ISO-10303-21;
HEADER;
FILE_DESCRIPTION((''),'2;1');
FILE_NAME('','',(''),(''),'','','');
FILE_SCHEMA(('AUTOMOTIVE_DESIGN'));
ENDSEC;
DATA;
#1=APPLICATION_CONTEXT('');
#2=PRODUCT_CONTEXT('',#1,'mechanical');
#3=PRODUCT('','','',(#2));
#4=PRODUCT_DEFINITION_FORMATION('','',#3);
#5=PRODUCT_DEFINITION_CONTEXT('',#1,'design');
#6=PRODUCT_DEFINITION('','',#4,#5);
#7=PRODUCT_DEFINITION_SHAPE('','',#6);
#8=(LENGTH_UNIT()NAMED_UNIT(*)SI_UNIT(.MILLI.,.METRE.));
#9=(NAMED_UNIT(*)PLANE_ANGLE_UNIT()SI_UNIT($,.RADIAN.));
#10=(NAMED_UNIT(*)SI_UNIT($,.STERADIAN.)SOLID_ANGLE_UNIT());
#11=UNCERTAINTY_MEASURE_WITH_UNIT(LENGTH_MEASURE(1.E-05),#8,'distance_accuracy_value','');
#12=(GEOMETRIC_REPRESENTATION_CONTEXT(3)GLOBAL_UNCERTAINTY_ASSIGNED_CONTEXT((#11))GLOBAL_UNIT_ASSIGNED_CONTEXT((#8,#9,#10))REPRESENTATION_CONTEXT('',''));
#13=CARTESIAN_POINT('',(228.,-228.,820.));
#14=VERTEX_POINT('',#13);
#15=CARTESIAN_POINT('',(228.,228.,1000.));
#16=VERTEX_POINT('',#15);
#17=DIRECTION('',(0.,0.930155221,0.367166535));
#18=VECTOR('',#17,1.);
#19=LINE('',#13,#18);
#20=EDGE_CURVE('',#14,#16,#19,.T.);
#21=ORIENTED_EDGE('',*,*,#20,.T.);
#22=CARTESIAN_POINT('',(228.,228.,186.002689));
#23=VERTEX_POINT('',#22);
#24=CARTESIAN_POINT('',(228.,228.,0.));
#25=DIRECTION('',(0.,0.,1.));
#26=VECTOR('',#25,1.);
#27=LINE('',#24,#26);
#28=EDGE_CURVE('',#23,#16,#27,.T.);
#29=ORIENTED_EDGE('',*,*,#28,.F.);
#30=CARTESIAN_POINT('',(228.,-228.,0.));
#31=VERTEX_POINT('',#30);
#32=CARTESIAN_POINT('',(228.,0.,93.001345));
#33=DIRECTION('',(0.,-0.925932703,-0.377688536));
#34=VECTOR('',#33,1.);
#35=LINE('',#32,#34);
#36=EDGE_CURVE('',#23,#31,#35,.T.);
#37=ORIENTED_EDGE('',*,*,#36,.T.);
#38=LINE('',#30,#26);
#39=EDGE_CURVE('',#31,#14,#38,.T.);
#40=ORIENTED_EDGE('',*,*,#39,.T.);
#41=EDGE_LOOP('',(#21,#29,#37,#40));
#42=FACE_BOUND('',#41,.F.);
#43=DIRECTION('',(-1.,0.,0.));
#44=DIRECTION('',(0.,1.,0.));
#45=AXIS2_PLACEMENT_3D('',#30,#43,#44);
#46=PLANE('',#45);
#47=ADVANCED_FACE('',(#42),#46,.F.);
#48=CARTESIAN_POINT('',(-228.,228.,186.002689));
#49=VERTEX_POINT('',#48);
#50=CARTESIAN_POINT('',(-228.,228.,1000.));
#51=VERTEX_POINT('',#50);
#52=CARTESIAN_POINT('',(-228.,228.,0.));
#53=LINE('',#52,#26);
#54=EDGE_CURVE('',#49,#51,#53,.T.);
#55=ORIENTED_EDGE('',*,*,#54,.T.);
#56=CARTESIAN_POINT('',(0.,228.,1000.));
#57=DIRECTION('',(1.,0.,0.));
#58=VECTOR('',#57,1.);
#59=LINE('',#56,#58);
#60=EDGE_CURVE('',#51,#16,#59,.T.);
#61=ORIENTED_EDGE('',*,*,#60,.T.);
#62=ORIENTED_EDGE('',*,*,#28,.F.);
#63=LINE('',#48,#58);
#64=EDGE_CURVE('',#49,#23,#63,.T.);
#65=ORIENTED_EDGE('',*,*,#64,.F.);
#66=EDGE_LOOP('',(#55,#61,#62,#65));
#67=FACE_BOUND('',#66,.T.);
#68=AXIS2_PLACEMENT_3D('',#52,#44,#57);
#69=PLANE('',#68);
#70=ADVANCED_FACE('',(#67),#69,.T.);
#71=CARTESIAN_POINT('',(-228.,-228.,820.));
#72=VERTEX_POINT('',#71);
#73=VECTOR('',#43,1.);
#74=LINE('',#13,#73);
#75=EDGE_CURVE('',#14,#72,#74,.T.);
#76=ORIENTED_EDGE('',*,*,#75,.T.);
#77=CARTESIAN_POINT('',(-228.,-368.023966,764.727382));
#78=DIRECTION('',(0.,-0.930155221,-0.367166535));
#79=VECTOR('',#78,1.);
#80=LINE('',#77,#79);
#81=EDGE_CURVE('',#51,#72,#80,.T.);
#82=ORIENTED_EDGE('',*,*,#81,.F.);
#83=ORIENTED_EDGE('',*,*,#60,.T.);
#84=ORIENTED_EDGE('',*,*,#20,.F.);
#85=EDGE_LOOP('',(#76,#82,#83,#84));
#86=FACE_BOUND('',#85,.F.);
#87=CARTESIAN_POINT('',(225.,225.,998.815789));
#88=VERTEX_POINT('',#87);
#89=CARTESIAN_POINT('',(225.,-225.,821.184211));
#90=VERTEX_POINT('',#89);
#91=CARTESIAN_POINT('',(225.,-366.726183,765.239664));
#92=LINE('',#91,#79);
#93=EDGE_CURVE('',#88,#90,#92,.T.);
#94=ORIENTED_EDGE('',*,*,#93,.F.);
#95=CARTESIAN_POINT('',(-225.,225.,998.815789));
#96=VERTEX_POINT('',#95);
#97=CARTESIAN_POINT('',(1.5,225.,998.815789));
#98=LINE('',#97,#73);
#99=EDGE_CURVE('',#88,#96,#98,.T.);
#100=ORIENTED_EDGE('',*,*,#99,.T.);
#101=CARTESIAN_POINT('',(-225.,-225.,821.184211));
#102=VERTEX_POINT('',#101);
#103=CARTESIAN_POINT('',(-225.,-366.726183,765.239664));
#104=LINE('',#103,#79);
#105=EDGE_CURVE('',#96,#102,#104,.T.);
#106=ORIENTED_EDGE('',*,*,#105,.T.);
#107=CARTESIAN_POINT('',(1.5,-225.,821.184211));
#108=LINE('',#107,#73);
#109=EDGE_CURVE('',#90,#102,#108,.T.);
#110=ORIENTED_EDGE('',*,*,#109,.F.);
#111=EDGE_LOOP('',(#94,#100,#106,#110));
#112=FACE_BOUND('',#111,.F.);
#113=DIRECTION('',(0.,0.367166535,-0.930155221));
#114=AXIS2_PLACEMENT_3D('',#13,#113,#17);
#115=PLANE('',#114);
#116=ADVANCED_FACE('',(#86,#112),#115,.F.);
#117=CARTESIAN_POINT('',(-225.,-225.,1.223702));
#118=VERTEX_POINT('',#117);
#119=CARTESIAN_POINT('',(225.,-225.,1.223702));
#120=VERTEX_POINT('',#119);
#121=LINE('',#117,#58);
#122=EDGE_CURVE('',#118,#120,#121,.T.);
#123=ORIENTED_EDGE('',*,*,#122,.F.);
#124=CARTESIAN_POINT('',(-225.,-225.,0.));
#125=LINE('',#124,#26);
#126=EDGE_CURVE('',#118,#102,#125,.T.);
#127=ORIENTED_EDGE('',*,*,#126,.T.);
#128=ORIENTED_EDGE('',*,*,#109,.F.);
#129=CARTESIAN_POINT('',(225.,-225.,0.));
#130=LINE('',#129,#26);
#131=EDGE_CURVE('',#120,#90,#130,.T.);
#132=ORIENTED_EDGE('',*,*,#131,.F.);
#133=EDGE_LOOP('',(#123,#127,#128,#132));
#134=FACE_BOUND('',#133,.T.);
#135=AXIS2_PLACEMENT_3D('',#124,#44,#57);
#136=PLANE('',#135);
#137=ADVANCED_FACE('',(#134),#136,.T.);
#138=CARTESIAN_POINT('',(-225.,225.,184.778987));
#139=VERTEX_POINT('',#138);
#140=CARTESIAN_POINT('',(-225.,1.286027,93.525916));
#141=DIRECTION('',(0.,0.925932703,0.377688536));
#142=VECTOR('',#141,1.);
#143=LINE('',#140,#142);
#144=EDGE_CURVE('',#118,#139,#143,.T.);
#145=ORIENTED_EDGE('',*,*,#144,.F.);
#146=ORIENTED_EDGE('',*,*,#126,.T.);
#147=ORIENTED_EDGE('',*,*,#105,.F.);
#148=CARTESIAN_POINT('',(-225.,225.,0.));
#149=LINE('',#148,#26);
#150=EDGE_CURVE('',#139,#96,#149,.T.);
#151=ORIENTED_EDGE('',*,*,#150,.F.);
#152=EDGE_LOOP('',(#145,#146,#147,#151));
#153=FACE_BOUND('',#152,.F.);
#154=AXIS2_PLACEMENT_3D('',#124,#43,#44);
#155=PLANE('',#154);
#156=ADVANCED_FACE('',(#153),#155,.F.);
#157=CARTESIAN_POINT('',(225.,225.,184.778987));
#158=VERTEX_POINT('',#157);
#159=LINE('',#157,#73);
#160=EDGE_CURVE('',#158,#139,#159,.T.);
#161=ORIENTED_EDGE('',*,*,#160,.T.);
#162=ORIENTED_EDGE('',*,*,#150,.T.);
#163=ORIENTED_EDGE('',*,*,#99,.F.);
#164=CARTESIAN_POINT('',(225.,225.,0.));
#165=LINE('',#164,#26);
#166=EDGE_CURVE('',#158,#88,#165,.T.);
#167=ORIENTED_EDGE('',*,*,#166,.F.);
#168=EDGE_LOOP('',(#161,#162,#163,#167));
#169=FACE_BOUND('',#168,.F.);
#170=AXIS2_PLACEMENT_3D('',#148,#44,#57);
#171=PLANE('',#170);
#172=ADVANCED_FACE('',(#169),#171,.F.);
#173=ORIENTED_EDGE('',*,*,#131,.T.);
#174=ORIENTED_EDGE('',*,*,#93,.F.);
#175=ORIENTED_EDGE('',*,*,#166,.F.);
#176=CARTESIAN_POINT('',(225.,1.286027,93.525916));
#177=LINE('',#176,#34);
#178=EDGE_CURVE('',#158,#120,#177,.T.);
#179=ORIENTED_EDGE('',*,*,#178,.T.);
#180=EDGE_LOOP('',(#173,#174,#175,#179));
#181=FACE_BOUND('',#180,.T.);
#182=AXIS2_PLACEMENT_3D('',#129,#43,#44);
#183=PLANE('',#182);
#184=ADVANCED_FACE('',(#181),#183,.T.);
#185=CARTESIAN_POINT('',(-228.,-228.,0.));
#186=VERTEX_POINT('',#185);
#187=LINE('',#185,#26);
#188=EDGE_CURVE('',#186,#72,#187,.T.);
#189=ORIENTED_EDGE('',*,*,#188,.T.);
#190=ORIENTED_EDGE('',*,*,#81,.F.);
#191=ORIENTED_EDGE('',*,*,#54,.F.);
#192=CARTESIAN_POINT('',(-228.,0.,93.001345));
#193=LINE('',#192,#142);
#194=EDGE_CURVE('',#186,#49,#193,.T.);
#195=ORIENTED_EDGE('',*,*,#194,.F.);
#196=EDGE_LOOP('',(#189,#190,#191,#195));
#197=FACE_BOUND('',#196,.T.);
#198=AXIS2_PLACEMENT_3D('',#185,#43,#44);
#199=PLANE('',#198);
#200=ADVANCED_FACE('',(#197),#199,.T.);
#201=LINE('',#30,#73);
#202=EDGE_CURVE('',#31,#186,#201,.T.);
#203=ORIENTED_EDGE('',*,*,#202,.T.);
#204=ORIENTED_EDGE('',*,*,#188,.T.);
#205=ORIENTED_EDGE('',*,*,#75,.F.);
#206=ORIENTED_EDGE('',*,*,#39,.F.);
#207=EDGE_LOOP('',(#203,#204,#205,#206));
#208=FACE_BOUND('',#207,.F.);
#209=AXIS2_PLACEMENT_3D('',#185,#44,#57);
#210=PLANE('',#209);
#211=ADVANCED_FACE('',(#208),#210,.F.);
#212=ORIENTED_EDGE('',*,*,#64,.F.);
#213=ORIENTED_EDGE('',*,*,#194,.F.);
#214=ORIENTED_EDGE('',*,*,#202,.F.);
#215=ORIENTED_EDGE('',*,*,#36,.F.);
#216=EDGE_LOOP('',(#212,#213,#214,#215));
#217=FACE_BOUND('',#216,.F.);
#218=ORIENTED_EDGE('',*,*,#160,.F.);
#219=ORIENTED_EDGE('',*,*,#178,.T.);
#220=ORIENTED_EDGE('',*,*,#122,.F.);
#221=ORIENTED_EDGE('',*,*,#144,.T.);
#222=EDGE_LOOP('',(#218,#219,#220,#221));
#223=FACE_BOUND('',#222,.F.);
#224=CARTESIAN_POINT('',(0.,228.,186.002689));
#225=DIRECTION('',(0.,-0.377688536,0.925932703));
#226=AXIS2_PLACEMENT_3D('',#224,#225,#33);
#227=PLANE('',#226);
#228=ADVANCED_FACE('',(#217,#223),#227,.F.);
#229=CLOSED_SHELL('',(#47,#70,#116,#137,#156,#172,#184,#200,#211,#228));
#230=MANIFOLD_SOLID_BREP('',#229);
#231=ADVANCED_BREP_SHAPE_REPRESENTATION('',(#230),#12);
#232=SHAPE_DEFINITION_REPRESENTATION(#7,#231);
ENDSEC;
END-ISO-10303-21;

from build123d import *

# Parameters (mm, degrees)
F0_W          = 456
F0_H          = 456
F0_W_2        = 450
F0_H_2        = 450
F2_DEPTH      = 1000
F3_DEPTH      = 228.001
F3_DEPTH_BACK = 228.001
F5_DEPTH      = 456.001


with BuildPart() as f2:
    # F0 (on Top) → F2 (new body)
    with BuildSketch(Plane.XY):
        Rectangle(F0_W, F0_H)
        Rectangle(F0_W_2, F0_H_2, mode=Mode.SUBTRACT)
    extrude(amount=F2_DEPTH)

    # F1 (on Right) → F3 (cut, two sides)
    with BuildSketch(Plane.YZ) as f3_sk:
        Polygon((-228, -173.997311), (228, -173.997311), (228, 186.002689), (-228, 0), align=None)
    extrude(amount=F3_DEPTH, mode=Mode.SUBTRACT)
    extrude(f3_sk.sketch, amount=-F3_DEPTH_BACK, mode=Mode.SUBTRACT)

    # F4 (on face) → F5 (cut, through all)
    with BuildSketch(Plane.YZ.offset(228)):
        Polygon((-228, 1000), (-228, 820), (228, 1000), align=None)
    extrude(amount=-F5_DEPTH, mode=Mode.SUBTRACT)


solid = f2.part
